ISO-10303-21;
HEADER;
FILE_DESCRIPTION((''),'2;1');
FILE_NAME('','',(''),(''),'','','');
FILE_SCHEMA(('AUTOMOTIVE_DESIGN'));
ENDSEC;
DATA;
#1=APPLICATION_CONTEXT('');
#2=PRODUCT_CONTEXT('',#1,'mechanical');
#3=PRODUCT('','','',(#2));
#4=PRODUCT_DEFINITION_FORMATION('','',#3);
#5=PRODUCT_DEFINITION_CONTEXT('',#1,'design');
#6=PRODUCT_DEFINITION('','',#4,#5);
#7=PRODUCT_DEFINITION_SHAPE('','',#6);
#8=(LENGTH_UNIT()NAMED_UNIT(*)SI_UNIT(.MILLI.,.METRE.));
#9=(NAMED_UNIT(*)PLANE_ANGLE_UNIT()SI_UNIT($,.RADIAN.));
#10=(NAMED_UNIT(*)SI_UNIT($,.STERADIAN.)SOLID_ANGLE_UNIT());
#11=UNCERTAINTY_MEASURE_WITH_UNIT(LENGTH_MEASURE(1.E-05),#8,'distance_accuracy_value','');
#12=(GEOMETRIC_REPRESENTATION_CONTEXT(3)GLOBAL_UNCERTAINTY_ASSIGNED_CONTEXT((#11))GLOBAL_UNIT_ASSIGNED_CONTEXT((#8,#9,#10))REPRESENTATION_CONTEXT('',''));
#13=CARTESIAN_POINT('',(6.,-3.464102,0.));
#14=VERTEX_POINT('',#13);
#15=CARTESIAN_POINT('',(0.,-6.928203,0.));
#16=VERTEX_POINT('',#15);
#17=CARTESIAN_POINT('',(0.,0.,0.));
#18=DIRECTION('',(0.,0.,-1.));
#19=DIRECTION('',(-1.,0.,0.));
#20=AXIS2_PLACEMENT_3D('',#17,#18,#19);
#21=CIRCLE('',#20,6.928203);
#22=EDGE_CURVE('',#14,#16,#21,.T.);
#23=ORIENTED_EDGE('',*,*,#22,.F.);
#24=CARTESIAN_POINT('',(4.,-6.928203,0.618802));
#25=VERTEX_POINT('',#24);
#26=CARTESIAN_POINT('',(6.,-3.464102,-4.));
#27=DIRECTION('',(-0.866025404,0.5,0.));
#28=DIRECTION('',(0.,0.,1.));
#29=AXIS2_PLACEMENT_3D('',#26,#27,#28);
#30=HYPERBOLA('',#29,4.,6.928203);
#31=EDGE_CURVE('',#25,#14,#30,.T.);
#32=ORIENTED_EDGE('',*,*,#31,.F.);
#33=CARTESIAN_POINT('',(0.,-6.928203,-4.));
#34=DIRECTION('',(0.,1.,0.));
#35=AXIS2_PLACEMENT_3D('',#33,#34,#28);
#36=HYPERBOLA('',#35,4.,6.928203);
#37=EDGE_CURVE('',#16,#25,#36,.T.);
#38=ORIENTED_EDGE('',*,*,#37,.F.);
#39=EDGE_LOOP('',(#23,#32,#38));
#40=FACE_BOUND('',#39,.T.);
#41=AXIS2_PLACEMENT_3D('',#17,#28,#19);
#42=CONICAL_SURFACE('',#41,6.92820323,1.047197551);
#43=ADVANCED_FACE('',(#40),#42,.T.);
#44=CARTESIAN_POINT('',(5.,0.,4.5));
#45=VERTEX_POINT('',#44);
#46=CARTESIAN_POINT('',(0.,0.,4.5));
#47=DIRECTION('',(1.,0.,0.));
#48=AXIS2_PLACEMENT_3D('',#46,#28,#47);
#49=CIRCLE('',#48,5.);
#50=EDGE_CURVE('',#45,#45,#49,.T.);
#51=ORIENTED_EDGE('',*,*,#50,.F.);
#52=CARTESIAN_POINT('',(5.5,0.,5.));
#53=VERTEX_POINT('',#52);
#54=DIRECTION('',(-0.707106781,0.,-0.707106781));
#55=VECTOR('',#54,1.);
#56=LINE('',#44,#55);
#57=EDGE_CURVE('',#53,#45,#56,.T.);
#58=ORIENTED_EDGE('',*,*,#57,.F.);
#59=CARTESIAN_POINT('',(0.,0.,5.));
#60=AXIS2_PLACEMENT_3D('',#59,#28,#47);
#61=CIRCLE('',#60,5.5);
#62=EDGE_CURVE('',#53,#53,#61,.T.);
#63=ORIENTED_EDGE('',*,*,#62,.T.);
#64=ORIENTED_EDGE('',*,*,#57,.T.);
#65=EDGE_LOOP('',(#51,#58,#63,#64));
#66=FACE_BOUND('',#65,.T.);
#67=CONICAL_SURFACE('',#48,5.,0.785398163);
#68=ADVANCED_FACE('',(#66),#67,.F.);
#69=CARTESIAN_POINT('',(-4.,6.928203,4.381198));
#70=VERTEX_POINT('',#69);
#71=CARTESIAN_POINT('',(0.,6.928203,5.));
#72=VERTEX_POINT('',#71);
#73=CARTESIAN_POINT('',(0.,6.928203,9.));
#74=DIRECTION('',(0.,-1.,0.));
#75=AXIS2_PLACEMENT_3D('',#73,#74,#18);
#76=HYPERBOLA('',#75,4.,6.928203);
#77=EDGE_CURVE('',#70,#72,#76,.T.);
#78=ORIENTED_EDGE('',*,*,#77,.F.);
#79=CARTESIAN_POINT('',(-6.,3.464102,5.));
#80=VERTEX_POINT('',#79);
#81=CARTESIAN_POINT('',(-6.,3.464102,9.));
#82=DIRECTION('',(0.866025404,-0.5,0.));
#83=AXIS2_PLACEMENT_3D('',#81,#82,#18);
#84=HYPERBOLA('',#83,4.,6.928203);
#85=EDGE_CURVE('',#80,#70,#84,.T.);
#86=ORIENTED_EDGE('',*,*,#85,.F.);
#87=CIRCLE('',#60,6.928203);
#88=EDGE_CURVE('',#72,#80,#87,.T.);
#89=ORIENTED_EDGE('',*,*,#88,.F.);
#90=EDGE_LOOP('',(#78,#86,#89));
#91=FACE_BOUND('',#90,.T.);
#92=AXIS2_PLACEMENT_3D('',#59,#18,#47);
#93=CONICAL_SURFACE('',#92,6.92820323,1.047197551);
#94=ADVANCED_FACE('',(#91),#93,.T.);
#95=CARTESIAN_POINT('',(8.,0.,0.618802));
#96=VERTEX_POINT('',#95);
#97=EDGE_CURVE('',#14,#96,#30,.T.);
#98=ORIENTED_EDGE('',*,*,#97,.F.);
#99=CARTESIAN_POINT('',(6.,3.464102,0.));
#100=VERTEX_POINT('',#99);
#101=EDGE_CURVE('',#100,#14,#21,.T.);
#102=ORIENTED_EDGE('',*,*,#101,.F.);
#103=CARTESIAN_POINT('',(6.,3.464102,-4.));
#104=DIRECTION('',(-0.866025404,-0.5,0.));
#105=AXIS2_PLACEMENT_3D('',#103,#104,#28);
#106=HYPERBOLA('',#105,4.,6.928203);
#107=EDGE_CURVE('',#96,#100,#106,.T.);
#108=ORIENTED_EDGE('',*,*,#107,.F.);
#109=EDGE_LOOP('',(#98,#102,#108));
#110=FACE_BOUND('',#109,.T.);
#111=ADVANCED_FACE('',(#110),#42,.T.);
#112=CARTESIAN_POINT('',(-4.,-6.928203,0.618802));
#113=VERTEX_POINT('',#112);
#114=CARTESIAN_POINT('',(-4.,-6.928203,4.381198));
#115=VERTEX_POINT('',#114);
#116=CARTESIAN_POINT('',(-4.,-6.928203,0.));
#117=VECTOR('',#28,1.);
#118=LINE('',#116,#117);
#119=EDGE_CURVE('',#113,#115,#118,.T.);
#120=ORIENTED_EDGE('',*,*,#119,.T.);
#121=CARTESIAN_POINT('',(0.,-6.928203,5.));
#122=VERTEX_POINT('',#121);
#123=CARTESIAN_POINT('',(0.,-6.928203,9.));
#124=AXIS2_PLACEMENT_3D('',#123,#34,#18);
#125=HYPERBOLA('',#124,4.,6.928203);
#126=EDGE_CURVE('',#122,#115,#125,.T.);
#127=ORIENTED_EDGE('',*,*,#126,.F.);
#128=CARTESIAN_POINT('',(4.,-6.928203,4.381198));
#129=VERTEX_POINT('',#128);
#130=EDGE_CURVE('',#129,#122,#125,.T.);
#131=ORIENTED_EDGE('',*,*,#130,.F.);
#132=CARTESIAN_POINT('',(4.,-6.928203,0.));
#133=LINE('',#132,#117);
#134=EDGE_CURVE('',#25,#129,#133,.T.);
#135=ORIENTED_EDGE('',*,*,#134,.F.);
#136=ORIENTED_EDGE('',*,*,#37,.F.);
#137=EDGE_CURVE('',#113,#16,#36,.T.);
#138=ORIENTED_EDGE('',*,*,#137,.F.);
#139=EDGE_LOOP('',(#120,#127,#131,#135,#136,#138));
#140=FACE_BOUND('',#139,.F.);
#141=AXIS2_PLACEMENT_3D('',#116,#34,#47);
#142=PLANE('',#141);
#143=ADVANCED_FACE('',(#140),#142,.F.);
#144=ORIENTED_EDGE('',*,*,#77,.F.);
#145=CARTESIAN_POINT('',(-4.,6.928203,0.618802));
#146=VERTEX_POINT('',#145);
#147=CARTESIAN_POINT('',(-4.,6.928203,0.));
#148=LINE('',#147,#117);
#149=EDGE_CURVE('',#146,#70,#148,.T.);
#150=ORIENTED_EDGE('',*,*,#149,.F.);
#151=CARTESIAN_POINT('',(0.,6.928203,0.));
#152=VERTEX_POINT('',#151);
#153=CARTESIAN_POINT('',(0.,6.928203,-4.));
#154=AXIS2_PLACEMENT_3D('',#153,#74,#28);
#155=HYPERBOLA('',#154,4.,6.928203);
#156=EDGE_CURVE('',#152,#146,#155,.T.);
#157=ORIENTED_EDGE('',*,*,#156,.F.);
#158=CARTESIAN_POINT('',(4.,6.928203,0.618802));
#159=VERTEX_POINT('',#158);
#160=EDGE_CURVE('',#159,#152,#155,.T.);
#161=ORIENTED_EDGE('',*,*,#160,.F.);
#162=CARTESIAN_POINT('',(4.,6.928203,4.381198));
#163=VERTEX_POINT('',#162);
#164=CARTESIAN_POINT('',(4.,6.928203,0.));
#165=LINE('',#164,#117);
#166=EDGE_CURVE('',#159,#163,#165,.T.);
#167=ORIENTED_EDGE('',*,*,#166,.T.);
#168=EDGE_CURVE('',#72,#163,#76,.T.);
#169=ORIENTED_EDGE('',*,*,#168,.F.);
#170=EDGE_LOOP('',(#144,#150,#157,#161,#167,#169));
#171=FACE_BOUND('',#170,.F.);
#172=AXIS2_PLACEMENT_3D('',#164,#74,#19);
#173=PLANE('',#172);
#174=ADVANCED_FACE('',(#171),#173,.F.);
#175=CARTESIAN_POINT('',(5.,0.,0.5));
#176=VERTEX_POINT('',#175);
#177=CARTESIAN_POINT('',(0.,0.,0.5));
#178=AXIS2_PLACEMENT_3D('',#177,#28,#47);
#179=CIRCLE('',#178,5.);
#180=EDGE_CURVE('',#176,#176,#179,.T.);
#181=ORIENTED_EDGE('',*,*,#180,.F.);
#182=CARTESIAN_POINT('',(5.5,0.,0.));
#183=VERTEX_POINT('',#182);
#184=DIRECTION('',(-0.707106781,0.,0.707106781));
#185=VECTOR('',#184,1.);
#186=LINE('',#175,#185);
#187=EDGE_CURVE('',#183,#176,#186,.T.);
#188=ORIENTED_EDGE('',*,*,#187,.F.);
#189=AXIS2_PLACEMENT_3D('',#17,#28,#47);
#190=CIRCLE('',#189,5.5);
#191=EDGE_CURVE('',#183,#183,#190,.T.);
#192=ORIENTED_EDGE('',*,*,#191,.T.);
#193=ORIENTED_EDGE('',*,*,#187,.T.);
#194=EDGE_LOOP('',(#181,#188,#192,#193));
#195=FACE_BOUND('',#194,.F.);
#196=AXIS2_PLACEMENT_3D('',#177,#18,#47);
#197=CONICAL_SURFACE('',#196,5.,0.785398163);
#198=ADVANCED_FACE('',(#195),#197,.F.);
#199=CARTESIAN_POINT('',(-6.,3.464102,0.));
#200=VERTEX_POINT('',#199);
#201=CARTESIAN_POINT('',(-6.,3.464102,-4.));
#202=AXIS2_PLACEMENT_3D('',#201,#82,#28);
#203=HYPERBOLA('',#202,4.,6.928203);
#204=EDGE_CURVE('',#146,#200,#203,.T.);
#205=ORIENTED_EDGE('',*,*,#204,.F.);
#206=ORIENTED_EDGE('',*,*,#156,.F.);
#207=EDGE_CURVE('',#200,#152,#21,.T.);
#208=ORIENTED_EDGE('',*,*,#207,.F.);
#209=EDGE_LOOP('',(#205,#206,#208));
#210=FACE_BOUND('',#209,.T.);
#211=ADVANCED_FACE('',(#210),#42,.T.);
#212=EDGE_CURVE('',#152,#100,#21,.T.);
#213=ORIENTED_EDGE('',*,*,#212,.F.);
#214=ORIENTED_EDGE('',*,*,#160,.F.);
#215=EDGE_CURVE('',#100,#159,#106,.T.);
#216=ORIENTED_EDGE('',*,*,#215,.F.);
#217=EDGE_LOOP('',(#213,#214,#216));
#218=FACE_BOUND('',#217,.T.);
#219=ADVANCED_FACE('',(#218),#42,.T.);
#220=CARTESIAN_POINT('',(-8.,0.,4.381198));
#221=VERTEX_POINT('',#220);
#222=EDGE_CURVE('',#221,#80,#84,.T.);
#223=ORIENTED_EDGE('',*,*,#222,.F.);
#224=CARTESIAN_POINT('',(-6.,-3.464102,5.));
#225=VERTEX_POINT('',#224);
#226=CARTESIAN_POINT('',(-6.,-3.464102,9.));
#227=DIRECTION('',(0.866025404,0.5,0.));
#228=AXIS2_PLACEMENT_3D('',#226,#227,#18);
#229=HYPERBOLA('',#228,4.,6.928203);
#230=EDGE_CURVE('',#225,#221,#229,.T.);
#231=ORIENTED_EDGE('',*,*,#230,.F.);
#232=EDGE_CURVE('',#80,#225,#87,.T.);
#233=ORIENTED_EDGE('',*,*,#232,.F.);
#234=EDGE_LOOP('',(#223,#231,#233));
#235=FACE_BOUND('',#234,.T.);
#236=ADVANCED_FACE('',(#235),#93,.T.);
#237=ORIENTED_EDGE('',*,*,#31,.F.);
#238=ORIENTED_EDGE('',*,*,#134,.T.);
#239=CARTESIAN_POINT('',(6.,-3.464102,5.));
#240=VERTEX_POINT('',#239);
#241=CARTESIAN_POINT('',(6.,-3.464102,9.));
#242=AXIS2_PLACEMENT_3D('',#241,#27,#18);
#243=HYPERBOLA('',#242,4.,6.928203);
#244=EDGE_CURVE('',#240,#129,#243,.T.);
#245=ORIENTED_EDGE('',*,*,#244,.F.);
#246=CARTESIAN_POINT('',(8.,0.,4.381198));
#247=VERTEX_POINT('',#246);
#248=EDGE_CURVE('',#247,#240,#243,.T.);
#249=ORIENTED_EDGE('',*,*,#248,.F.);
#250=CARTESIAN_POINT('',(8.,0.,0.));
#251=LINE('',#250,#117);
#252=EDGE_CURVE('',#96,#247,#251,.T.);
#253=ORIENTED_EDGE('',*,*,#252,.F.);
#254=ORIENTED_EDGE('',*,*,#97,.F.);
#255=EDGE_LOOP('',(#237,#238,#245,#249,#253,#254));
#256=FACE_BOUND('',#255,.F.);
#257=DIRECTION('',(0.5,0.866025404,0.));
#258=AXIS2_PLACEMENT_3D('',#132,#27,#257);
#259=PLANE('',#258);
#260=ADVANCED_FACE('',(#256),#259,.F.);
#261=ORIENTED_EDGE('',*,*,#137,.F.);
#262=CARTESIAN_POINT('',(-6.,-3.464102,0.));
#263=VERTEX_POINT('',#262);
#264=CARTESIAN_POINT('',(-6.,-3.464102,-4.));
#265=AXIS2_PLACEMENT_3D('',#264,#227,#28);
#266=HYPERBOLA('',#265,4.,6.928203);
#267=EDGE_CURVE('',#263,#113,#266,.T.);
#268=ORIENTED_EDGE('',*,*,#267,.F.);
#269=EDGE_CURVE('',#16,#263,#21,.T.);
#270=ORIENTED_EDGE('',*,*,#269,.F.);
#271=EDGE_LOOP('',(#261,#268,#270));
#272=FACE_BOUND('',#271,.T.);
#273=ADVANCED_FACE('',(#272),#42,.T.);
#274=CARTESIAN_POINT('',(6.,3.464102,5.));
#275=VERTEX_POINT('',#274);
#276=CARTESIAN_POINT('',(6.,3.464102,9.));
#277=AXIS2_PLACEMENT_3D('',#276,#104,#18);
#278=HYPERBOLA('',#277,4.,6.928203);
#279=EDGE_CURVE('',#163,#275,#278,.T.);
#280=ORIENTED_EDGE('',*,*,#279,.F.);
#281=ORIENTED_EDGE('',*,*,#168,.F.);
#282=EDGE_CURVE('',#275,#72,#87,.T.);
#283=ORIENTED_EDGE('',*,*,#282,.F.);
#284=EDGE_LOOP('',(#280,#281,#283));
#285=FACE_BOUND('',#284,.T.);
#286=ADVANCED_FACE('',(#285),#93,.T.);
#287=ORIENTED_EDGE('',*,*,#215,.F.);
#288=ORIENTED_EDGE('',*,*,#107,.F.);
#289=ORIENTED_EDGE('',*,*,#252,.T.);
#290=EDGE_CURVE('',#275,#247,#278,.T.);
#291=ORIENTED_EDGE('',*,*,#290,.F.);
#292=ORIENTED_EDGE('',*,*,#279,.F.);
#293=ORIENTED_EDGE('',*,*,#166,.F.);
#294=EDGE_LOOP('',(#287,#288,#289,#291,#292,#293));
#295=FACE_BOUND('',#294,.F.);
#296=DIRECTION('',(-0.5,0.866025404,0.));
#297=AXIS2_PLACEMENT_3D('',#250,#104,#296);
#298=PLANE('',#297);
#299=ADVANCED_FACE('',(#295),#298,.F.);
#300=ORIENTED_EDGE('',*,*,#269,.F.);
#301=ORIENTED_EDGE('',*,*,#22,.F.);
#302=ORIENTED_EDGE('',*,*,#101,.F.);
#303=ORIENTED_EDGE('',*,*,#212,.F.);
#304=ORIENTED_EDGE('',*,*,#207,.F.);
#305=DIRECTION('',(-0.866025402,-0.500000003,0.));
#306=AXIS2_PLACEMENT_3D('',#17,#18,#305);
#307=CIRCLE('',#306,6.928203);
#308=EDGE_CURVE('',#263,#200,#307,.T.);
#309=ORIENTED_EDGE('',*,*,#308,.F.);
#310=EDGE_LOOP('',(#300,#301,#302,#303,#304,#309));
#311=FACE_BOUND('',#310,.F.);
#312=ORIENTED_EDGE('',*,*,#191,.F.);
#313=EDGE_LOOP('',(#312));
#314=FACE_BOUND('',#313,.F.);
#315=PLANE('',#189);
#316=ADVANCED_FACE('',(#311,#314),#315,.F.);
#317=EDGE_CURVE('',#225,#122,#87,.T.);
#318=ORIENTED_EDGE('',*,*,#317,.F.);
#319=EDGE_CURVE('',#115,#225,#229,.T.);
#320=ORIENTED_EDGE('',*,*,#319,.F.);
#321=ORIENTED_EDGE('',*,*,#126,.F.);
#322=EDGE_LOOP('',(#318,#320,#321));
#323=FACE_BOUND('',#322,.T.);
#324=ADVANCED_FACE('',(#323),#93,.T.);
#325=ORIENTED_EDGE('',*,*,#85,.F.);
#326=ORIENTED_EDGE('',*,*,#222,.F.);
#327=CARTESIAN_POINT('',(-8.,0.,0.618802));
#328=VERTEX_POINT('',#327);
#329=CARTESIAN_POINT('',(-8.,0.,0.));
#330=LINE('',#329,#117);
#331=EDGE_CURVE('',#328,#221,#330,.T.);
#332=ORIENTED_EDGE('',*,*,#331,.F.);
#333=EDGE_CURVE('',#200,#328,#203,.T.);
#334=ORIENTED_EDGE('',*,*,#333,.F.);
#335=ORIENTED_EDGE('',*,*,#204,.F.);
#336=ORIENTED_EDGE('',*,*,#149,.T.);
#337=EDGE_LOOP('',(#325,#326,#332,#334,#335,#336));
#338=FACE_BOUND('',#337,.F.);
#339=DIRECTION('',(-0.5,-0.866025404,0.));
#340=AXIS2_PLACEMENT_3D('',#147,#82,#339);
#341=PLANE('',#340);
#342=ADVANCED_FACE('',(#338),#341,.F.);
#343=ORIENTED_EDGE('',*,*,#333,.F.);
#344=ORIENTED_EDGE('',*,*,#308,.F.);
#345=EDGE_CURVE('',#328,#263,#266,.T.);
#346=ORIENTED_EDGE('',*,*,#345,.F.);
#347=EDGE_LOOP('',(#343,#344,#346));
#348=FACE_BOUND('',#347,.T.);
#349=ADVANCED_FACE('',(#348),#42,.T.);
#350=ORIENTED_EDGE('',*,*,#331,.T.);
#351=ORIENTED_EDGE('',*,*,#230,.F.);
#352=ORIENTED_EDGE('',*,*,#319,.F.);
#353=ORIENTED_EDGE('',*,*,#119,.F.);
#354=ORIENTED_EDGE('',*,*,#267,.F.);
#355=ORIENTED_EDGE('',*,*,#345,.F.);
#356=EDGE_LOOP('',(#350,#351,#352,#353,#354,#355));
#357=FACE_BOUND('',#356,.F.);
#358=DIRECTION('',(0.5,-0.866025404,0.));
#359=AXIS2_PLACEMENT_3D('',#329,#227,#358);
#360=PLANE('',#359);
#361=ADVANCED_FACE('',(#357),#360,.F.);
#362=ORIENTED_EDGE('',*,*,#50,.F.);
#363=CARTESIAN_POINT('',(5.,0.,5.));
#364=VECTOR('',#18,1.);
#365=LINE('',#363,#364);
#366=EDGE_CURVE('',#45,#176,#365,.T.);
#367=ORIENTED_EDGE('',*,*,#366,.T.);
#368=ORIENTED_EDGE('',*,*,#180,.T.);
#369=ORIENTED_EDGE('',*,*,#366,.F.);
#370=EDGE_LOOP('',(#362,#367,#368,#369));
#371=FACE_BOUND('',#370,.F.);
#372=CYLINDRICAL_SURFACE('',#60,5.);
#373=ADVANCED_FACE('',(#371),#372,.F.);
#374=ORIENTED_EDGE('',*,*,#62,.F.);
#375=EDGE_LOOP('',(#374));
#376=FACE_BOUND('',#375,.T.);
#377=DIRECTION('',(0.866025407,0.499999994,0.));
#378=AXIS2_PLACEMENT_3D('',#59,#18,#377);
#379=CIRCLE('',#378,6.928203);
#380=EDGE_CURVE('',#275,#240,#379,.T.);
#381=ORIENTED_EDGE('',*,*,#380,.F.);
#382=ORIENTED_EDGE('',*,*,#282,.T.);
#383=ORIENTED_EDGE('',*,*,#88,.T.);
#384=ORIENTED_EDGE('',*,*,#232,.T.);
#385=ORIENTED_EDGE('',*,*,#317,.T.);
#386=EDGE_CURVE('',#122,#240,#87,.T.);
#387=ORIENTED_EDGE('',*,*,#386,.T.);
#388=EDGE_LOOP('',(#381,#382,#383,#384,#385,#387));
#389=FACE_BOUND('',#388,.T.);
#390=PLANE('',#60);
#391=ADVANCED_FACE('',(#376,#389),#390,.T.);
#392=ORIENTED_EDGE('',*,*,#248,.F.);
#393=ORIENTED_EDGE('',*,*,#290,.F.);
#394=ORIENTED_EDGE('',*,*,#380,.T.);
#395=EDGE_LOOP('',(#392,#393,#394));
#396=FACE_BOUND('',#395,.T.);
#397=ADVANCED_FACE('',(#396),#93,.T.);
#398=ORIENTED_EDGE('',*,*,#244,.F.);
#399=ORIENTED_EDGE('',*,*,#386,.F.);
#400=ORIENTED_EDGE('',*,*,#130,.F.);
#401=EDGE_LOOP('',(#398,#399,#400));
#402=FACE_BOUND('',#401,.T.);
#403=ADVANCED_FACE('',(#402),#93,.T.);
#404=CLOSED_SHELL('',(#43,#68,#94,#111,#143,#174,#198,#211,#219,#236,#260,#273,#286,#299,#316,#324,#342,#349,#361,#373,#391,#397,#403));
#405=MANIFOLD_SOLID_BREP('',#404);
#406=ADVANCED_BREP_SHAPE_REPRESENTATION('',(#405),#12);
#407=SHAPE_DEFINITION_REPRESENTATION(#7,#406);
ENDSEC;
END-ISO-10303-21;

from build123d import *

# Parameters (mm, degrees)
DODANIE_WYCI_GNI_CIE1_DEPTH = 5
SZKIC2_R                    = 5
WYTNIJ_WYCI_GNI_CIE1_DEPTH  = 5
SFAZOWANIE1_SIZE            = 0.5
SZKIC6_OUTSIDE_W            = 56.99
SZKIC6_OUTSIDE_H            = 54.846
SZKIC6_OUTSIDE_R            = 6.92820323
WYTNIJ_WYCI_GNI_CIE2_DEPTH  = 10
WYTNIJ_WYCI_GNI_CIE2_DRAFT  = -60
SZKIC7_OUTSIDE_W            = 56.99
SZKIC7_OUTSIDE_H            = 54.846
SZKIC7_OUTSIDE_R            = 6.92820323
WYTNIJ_WYCI_GNI_CIE3_DEPTH  = 10
WYTNIJ_WYCI_GNI_CIE3_DRAFT  = -60


with BuildPart() as part:
    # Szkic1 → Dodanie-wyciągnięcie1 (new body)
    with BuildSketch(Plane.XY):
        Polygon((-4, 6.92820323), (-8, 0), (-4, -6.92820323), (4, -6.92820323), (8, 0), (4, 6.92820323), align=None)
    extrude(amount=DODANIE_WYCI_GNI_CIE1_DEPTH)

    # Szkic2 → Wytnij-wyciągnięcie1 (cut)
    with BuildSketch(Plane.XY.offset(5)):
        Circle(SZKIC2_R)
    extrude(amount=-WYTNIJ_WYCI_GNI_CIE1_DEPTH, mode=Mode.SUBTRACT)

    # Sfazowanie1
    sfazowanie1_edges = [part.edges().sort_by_distance(p)[0] for p in [
        (-5, 0, 0),
        (-5, 0, 5),
    ]]
    chamfer(sfazowanie1_edges, length=SFAZOWANIE1_SIZE)


with BuildPart() as wytnij_wyci_gni_cie2_tool:
    # Szkic6 outside → Wytnij-wyciągnięcie2 (with draft: the straight prism first)
    with BuildSketch(Plane(origin=(0, 0, 0), x_dir=(-1, 0, 0), z_dir=(0, 0, -1))):
        Rectangle(SZKIC6_OUTSIDE_W, SZKIC6_OUTSIDE_H)
        Circle(SZKIC6_OUTSIDE_R, mode=Mode.SUBTRACT)
    extrude(amount=-WYTNIJ_WYCI_GNI_CIE2_DEPTH)
    # Wytnij-wyciągnięcie2: the draft: its side faces are tilted about the plane it starts from
    wytnij_wyci_gni_cie2_sides = [wytnij_wyci_gni_cie2_tool.faces().sort_by_distance(p)[0] for p in [
        (0, -27.423, 5),
        (-28.495, 0, 5),
        (0, 27.423, 5),
        (28.495, 0, 5),
        (6.92820323, 0, 5),
    ]]
    draft(wytnij_wyci_gni_cie2_sides, Plane(origin=(0, 0, 0), x_dir=(-1, 0, 0), z_dir=(0, 0, -1)), WYTNIJ_WYCI_GNI_CIE2_DRAFT)


with BuildPart() as part_1:
    add(part.part)

    # Wytnij-wyciągnięcie2: cut by wytnij_wyci_gni_cie2_tool
    add(wytnij_wyci_gni_cie2_tool.part, mode=Mode.SUBTRACT)


with BuildPart() as wytnij_wyci_gni_cie3_tool:
    # Szkic7 outside → Wytnij-wyciągnięcie3 (with draft: the straight prism first)
    with BuildSketch(Plane.XY.offset(5)):
        Rectangle(SZKIC7_OUTSIDE_W, SZKIC7_OUTSIDE_H)
        Circle(SZKIC7_OUTSIDE_R, mode=Mode.SUBTRACT)
    extrude(amount=-WYTNIJ_WYCI_GNI_CIE3_DEPTH)
    # Wytnij-wyciągnięcie3: the draft: its side faces are tilted about the plane it starts from
    wytnij_wyci_gni_cie3_sides = [wytnij_wyci_gni_cie3_tool.faces().sort_by_distance(p)[0] for p in [
        (0, -27.423, 0),
        (28.495, 0, 0),
        (0, 27.423, 0),
        (-28.495, 0, 0),
        (-6.92820323, 0, 0),
    ]]
    draft(wytnij_wyci_gni_cie3_sides, Plane.XY.offset(5), WYTNIJ_WYCI_GNI_CIE3_DRAFT)


with BuildPart() as part_2:
    add(part_1.part)

    # Wytnij-wyciągnięcie3: cut by wytnij_wyci_gni_cie3_tool
    add(wytnij_wyci_gni_cie3_tool.part, mode=Mode.SUBTRACT)


solid = part_2.part
